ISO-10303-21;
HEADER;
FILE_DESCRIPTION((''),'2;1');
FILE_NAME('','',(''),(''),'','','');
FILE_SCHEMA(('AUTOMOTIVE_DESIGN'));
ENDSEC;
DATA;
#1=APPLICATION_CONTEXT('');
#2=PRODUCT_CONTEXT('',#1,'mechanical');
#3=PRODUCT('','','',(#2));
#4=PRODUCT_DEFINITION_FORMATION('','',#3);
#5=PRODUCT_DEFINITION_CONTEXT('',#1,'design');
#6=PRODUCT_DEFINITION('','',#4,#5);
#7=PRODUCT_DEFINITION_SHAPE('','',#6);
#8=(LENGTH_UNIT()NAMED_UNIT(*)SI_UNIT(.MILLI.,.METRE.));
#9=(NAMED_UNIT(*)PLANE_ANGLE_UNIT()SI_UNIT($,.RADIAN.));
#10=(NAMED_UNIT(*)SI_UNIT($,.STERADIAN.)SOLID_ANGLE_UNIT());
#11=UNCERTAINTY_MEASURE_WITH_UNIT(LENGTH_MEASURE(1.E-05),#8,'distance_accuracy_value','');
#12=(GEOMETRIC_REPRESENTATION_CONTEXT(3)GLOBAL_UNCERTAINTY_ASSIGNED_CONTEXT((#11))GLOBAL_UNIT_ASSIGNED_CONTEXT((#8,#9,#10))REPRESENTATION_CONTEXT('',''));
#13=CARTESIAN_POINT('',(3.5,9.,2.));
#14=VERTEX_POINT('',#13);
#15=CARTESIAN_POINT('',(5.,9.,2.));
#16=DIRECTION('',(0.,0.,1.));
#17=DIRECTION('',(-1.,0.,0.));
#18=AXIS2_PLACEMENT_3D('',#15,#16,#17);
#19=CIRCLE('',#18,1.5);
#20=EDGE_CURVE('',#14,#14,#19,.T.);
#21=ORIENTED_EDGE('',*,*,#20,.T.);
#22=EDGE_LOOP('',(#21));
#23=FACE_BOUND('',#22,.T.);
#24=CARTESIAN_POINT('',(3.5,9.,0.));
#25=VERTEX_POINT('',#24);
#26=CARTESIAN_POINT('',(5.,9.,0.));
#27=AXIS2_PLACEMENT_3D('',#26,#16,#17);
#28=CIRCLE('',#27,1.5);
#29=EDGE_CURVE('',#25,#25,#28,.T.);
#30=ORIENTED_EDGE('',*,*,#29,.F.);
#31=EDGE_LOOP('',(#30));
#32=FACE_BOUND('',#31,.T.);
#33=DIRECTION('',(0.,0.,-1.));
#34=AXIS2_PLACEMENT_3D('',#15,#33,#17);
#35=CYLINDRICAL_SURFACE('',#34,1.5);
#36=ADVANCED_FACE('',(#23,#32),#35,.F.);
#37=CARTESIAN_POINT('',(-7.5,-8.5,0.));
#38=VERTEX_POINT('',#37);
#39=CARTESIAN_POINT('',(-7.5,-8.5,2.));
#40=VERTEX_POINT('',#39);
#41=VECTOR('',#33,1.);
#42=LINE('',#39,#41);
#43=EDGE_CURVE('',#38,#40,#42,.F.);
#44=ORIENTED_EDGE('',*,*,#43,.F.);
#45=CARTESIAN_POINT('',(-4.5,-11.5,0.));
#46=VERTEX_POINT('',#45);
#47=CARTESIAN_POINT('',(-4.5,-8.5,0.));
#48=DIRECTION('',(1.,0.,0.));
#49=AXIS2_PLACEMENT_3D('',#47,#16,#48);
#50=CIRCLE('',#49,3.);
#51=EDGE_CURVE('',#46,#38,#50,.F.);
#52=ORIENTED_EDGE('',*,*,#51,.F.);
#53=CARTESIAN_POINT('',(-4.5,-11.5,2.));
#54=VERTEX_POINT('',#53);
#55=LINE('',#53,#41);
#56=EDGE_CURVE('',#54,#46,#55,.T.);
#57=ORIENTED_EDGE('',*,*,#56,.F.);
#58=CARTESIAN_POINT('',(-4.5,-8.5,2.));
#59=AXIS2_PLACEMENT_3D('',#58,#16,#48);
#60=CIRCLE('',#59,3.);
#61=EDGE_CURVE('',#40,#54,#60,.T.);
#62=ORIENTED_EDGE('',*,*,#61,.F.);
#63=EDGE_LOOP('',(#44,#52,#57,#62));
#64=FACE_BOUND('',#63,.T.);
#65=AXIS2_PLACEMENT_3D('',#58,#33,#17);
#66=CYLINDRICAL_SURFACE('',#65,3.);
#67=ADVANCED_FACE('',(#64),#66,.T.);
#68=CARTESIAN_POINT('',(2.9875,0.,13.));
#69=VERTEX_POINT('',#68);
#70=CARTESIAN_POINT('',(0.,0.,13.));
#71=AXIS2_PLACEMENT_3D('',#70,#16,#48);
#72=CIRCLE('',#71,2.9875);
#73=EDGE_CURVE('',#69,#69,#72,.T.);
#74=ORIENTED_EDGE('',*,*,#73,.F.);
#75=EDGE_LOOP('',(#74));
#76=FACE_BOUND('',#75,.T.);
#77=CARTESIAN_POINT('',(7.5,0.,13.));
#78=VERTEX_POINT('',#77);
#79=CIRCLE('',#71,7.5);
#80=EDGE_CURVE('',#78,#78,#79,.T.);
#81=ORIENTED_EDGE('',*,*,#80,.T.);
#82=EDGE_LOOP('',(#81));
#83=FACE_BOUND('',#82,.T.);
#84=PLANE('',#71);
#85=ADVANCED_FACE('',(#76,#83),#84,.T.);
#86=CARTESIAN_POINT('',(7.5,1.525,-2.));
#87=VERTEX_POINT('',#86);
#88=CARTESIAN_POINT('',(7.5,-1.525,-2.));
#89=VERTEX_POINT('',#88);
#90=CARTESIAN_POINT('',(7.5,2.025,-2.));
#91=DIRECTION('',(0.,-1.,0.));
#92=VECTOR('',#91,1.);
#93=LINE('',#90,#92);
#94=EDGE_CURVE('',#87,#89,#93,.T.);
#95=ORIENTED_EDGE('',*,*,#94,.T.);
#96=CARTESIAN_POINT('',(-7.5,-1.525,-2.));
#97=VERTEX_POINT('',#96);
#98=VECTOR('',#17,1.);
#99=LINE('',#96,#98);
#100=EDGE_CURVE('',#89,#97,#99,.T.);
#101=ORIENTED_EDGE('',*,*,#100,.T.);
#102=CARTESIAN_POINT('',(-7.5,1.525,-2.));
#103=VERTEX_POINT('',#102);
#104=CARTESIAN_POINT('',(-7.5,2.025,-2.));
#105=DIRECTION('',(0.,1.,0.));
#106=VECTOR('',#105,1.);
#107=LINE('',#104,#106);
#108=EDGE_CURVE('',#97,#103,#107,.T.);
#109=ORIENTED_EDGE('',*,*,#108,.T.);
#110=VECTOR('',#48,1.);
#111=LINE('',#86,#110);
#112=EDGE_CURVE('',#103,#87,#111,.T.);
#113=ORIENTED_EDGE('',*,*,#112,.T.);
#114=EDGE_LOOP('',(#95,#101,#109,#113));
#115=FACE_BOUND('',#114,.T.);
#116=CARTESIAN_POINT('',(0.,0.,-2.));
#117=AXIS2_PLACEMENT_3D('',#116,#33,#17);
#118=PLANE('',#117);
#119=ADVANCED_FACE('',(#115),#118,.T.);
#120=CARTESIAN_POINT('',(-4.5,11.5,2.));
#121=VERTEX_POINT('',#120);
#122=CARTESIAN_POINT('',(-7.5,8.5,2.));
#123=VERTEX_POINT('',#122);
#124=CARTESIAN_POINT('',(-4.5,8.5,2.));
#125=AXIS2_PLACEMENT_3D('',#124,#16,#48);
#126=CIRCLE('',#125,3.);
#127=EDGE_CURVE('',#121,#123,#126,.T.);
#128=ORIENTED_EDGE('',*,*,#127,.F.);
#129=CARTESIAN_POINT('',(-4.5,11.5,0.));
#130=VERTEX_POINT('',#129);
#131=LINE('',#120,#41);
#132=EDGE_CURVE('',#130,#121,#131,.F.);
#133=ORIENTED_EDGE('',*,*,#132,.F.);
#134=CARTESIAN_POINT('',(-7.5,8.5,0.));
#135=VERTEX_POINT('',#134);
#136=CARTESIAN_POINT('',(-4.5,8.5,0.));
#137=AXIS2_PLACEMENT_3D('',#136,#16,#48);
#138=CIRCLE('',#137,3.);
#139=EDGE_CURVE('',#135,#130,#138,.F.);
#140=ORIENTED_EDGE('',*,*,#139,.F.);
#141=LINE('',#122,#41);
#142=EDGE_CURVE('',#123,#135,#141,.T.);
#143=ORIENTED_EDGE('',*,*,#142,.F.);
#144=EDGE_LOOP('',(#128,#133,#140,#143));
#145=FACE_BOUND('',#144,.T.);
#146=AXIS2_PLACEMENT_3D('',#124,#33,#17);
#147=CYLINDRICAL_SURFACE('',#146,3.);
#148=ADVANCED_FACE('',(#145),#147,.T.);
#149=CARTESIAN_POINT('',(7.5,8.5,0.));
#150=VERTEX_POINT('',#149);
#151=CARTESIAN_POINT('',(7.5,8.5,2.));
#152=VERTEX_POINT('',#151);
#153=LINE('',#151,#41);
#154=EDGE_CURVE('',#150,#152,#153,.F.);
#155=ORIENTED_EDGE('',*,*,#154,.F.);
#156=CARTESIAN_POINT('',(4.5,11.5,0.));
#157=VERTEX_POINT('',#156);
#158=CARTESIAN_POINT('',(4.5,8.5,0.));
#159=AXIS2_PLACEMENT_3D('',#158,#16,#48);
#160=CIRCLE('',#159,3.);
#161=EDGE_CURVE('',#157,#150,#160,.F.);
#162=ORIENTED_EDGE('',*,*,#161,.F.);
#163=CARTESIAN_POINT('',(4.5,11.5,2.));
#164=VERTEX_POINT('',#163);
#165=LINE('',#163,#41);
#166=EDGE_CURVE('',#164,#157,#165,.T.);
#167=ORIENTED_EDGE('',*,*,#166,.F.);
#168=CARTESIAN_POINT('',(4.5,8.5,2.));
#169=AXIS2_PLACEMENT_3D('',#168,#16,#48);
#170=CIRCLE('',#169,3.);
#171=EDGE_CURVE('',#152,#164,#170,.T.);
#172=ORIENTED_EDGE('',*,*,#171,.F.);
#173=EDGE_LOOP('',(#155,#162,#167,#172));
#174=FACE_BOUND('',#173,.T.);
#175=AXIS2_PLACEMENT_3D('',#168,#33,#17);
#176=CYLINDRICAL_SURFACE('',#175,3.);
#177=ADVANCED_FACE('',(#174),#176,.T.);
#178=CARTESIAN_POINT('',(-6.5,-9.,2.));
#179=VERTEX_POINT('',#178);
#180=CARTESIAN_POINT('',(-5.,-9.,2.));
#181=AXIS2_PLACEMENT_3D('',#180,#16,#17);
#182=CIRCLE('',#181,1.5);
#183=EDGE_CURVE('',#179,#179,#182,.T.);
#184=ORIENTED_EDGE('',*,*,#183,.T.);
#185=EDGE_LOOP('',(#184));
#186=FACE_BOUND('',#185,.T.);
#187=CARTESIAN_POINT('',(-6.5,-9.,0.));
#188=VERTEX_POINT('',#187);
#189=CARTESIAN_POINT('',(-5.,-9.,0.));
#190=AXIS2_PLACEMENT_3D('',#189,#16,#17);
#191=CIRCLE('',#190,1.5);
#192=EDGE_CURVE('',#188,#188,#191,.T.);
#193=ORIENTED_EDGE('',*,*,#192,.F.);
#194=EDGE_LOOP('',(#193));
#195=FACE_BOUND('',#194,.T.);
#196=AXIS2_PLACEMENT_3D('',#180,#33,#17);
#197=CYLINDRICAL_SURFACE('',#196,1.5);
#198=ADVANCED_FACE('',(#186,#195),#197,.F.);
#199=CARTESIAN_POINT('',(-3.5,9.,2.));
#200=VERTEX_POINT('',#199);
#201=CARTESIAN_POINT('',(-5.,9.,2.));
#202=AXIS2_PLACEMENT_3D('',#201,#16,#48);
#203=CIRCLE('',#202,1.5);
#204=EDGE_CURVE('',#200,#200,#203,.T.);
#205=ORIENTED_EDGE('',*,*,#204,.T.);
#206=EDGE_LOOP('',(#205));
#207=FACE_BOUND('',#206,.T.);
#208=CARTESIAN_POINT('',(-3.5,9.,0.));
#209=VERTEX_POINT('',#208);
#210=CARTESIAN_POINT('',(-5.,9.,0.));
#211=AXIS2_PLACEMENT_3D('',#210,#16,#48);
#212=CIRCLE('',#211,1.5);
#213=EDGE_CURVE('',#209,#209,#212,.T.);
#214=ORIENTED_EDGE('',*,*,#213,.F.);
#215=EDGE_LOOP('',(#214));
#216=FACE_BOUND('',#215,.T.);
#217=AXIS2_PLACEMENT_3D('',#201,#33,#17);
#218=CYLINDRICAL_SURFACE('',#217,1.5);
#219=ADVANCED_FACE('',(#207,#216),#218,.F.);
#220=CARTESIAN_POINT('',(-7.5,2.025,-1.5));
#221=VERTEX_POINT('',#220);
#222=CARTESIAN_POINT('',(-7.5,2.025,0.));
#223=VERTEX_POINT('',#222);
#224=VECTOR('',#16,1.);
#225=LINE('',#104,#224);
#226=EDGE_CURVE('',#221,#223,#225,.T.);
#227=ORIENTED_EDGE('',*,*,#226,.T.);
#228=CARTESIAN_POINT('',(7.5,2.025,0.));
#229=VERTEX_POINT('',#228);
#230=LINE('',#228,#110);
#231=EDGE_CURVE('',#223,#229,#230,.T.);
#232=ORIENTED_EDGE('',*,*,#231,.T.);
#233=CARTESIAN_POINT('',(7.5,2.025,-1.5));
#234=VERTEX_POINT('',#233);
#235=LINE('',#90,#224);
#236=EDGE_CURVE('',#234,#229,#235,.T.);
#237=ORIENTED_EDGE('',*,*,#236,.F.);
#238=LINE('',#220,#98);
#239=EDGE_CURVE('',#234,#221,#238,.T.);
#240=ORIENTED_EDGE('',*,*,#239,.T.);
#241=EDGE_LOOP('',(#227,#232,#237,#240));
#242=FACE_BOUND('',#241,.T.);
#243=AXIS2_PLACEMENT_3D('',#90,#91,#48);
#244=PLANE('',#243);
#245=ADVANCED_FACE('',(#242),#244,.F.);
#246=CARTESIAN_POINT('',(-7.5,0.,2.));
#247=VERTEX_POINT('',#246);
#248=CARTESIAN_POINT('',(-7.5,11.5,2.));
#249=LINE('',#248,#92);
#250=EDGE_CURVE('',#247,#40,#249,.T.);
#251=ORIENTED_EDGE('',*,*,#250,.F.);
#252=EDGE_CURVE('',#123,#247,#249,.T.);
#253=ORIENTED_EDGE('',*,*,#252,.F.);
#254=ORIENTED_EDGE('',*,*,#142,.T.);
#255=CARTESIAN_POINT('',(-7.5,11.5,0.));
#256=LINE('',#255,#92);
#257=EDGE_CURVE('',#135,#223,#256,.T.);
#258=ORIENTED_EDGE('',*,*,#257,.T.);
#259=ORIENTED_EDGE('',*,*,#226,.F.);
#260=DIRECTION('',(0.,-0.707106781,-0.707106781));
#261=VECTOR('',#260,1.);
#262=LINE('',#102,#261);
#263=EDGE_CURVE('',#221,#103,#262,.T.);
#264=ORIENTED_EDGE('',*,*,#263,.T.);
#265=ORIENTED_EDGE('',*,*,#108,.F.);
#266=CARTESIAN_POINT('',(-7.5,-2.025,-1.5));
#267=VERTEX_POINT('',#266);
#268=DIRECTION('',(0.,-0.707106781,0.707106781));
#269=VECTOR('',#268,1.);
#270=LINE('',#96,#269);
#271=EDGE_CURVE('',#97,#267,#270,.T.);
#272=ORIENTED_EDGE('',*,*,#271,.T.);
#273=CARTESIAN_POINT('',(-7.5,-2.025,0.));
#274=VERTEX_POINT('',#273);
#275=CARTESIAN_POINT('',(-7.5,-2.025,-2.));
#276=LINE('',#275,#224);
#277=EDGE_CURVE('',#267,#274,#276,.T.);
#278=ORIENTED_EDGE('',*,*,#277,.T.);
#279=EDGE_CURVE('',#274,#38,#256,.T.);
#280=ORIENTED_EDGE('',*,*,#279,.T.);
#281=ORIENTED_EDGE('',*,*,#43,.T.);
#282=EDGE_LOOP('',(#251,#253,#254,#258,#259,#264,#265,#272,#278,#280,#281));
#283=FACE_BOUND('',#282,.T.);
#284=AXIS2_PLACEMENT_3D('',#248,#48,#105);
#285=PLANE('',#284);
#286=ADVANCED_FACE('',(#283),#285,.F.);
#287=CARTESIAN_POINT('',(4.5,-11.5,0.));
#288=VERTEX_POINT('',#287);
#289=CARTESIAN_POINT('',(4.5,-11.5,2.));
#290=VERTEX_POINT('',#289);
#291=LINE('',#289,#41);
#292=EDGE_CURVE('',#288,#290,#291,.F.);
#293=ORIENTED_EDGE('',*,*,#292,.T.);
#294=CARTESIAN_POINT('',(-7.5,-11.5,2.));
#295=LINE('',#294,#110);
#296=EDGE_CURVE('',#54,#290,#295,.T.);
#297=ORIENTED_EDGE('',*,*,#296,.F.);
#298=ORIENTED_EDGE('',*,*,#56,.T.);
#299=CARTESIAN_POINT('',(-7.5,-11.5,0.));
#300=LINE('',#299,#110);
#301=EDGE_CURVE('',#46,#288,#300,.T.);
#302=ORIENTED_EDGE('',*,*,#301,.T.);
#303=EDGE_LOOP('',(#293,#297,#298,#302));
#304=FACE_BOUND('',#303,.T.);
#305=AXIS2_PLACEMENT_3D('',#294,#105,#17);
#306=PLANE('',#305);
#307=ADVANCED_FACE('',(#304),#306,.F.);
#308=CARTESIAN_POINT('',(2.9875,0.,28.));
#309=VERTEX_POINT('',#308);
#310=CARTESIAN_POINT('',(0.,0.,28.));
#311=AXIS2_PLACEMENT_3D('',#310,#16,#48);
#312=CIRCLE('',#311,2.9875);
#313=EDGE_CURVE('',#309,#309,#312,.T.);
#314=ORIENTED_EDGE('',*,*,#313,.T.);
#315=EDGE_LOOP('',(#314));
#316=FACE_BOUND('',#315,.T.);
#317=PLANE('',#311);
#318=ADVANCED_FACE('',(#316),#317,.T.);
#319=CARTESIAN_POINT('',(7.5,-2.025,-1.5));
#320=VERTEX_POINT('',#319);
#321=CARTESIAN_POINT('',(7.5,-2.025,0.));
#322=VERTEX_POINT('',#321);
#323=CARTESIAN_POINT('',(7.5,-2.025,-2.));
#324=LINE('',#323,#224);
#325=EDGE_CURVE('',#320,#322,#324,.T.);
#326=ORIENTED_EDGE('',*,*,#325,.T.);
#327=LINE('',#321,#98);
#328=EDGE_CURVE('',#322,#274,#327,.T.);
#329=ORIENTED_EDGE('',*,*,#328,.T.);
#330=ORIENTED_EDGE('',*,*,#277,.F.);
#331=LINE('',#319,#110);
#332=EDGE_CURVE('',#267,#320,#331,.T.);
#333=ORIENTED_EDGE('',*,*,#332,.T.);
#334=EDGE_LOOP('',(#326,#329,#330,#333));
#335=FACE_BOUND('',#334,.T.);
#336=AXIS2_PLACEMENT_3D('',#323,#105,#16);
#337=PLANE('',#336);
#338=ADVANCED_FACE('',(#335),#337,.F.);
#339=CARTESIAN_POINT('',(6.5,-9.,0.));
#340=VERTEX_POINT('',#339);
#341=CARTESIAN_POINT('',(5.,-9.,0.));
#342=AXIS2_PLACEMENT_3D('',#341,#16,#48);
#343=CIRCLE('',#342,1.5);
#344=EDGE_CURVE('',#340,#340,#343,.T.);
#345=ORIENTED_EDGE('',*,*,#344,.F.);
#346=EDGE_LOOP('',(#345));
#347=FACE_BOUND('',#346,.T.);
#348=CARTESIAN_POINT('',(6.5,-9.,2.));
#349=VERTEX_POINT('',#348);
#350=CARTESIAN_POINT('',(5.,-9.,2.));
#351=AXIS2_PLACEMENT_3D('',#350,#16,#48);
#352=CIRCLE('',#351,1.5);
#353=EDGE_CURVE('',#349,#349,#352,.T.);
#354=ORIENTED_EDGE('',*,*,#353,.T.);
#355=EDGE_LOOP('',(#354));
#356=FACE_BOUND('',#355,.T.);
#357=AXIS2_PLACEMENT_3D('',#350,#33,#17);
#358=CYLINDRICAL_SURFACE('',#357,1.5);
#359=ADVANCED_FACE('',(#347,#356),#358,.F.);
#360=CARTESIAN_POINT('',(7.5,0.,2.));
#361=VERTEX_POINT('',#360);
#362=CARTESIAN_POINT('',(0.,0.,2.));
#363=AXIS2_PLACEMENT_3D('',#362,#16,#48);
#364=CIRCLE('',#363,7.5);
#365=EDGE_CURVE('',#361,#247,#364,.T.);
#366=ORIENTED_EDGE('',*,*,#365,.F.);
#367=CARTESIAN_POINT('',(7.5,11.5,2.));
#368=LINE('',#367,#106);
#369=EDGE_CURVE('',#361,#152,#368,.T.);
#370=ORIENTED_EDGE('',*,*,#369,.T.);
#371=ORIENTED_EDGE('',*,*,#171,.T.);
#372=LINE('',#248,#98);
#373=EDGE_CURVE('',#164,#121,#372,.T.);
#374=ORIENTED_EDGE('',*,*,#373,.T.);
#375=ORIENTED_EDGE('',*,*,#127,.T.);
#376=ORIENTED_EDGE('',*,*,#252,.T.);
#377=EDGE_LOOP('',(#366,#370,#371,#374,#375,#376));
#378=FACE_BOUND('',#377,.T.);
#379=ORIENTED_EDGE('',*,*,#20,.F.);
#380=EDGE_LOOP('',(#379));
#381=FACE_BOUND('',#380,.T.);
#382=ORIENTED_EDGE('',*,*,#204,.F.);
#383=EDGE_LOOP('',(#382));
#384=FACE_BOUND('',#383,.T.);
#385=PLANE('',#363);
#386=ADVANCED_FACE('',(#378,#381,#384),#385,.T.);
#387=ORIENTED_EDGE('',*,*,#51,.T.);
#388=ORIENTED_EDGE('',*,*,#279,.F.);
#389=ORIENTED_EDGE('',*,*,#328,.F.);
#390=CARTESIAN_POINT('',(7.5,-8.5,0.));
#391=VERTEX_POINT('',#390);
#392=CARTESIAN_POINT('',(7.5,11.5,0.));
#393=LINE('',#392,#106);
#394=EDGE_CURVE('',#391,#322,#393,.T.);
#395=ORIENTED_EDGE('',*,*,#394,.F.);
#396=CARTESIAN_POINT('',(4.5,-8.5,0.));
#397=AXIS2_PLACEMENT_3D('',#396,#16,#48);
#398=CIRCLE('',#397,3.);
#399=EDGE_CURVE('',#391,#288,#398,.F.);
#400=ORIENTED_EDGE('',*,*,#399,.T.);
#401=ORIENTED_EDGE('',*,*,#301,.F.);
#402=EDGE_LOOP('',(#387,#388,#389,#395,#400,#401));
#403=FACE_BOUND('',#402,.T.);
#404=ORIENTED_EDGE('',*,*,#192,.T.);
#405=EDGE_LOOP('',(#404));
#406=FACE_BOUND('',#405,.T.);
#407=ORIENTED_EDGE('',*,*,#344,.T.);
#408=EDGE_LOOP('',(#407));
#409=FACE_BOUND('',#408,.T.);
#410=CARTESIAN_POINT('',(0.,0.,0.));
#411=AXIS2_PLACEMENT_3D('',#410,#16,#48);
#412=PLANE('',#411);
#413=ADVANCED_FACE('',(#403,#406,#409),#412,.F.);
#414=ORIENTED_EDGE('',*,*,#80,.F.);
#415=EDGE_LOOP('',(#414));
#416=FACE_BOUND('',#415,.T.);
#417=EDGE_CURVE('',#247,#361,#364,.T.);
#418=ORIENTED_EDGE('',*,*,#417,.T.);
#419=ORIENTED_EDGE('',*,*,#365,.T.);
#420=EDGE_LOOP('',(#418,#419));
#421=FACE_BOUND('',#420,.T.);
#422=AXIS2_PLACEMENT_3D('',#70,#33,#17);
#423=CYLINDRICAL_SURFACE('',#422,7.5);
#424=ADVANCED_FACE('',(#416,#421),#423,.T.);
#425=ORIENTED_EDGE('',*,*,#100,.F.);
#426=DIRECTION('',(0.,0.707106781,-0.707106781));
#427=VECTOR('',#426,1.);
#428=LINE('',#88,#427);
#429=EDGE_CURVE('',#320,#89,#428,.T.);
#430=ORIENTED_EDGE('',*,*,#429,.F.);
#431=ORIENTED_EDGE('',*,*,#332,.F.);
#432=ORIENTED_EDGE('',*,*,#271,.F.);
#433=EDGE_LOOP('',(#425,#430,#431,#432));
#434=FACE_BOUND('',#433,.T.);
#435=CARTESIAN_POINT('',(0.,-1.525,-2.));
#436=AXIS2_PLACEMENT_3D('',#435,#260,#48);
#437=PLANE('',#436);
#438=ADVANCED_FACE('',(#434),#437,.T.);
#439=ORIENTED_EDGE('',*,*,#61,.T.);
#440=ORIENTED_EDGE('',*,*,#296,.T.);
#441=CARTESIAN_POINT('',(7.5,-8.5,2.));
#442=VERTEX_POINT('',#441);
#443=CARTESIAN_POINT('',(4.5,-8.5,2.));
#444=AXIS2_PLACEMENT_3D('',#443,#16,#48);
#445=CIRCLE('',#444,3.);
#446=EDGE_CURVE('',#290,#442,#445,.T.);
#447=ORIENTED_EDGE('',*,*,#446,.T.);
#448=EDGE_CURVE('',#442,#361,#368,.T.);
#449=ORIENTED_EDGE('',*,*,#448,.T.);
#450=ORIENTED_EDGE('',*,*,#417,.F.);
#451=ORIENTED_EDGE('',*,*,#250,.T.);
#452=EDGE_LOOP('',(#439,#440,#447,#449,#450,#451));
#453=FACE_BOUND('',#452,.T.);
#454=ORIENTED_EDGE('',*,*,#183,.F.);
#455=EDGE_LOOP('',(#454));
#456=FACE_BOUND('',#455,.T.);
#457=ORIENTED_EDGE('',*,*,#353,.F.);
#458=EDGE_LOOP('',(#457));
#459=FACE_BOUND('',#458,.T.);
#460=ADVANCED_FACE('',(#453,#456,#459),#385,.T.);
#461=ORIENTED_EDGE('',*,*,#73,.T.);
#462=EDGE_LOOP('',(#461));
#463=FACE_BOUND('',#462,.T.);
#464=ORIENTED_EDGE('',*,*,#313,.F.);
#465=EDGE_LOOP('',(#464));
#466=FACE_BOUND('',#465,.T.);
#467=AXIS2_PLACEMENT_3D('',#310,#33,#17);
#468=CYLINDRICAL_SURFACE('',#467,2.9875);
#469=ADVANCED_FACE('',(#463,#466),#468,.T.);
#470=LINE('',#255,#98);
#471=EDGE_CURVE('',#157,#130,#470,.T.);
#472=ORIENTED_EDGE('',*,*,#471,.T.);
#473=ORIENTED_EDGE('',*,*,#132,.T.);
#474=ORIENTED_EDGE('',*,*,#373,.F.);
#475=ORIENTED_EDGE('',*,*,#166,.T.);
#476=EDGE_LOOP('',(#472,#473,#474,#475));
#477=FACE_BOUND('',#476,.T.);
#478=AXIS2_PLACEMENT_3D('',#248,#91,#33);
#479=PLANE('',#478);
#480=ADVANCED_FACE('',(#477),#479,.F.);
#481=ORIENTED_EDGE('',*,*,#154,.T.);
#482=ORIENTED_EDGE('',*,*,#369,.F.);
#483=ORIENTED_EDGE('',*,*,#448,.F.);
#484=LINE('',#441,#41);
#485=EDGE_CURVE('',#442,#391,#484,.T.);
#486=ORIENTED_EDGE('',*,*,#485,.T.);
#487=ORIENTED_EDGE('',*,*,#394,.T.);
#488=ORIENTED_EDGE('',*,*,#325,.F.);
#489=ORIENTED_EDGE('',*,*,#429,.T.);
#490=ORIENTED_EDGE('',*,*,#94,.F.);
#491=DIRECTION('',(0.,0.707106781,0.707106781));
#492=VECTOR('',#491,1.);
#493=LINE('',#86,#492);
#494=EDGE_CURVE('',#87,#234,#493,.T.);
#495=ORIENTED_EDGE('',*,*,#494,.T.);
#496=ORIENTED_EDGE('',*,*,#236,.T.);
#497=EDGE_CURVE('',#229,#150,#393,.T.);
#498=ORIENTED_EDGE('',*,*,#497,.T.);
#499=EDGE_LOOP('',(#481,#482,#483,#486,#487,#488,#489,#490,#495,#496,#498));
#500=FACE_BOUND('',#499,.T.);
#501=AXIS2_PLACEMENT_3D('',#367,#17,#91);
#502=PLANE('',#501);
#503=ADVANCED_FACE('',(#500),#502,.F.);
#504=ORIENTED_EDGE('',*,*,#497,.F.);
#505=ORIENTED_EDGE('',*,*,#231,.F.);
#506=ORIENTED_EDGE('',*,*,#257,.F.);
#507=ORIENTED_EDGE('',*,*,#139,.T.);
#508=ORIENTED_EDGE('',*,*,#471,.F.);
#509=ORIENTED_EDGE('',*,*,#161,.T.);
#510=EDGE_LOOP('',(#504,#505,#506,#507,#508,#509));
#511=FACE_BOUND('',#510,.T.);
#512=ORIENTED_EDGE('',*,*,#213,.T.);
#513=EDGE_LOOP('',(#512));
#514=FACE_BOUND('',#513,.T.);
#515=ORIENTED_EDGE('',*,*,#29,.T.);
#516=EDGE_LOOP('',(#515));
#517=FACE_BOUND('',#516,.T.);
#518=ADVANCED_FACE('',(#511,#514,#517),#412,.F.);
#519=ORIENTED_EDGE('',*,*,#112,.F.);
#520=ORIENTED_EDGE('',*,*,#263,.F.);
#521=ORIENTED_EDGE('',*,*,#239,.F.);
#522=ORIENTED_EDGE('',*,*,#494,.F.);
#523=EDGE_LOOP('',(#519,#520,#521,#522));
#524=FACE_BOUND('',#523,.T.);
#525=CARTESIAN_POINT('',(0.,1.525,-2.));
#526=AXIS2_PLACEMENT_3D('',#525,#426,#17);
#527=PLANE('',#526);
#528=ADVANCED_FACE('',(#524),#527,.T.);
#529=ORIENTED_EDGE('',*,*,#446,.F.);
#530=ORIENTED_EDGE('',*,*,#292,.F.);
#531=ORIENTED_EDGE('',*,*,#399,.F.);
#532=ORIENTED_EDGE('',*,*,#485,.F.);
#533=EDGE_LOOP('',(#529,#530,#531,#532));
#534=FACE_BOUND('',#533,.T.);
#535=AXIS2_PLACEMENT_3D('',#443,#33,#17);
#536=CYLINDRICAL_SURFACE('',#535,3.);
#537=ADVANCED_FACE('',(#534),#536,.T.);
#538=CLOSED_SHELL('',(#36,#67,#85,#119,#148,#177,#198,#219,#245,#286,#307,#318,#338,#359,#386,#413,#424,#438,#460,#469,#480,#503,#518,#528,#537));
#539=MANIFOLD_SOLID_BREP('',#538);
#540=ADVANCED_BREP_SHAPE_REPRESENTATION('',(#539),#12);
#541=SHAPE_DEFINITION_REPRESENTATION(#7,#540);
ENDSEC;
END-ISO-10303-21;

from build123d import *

# Parameters (mm, degrees)
SKETCH1_W           = 15
SKETCH1_H           = 23
SKETCH1_R           = 1.5
BOSS_EXTRUDE1_DEPTH = 2
SKETCH2_R           = 7.5
BOSS_EXTRUDE2_DEPTH = 11
SKETCH3_R           = 2.9875
BOSS_EXTRUDE3_DEPTH = 15
SKETCH4_W           = 15
SKETCH4_H           = 4.05
BOSS_EXTRUDE4_DEPTH = 2
CHAMFER1_SIZE       = 0.5
FILLET1_R           = 3


with BuildPart() as part:
    # Sketch1 → Boss-Extrude1 (new body)
    with BuildSketch(Plane.XY):
        Rectangle(SKETCH1_W, SKETCH1_H)
        with Locations((-5, 9)):
            Circle(SKETCH1_R, mode=Mode.SUBTRACT)
        with Locations(Location((5, 9, 0), (0, 0, 180))):
            Circle(SKETCH1_R, mode=Mode.SUBTRACT)
        with Locations((5, -9)):
            Circle(SKETCH1_R, mode=Mode.SUBTRACT)
        with Locations(Location((-5, -9, 0), (0, 0, 180))):
            Circle(SKETCH1_R, mode=Mode.SUBTRACT)
    extrude(amount=BOSS_EXTRUDE1_DEPTH)

    # Sketch2 → Boss-Extrude2 (add)
    with BuildSketch(Plane.XY.offset(2)):
        Circle(SKETCH2_R)
    extrude(amount=BOSS_EXTRUDE2_DEPTH)

    # Sketch3 → Boss-Extrude3 (add)
    with BuildSketch(Plane.XY.offset(13)):
        Circle(SKETCH3_R)
    extrude(amount=BOSS_EXTRUDE3_DEPTH)

    # Sketch4 → Boss-Extrude4 (add)
    with BuildSketch(Plane(origin=(0, 0, 0), x_dir=(-1, 0, 0), z_dir=(0, 0, -1))):
        Rectangle(SKETCH4_W, SKETCH4_H)
    extrude(amount=BOSS_EXTRUDE4_DEPTH)

    # Chamfer1
    chamfer1_edges = [part.edges().sort_by_distance(p)[0] for p in [
        (0, -2.025, -2),
        (0, 2.025, -2),
    ]]
    chamfer(chamfer1_edges, length=CHAMFER1_SIZE)

    # Fillet1
    fillet1_edges = [part.edges().sort_by_distance(p)[0] for p in [
        (-7.5, 11.5, 1),
        (7.5, 11.5, 1),
        (7.5, -11.5, 1),
        (-7.5, -11.5, 1),
    ]]
    fillet(fillet1_edges, radius=FILLET1_R)


solid = part.part
